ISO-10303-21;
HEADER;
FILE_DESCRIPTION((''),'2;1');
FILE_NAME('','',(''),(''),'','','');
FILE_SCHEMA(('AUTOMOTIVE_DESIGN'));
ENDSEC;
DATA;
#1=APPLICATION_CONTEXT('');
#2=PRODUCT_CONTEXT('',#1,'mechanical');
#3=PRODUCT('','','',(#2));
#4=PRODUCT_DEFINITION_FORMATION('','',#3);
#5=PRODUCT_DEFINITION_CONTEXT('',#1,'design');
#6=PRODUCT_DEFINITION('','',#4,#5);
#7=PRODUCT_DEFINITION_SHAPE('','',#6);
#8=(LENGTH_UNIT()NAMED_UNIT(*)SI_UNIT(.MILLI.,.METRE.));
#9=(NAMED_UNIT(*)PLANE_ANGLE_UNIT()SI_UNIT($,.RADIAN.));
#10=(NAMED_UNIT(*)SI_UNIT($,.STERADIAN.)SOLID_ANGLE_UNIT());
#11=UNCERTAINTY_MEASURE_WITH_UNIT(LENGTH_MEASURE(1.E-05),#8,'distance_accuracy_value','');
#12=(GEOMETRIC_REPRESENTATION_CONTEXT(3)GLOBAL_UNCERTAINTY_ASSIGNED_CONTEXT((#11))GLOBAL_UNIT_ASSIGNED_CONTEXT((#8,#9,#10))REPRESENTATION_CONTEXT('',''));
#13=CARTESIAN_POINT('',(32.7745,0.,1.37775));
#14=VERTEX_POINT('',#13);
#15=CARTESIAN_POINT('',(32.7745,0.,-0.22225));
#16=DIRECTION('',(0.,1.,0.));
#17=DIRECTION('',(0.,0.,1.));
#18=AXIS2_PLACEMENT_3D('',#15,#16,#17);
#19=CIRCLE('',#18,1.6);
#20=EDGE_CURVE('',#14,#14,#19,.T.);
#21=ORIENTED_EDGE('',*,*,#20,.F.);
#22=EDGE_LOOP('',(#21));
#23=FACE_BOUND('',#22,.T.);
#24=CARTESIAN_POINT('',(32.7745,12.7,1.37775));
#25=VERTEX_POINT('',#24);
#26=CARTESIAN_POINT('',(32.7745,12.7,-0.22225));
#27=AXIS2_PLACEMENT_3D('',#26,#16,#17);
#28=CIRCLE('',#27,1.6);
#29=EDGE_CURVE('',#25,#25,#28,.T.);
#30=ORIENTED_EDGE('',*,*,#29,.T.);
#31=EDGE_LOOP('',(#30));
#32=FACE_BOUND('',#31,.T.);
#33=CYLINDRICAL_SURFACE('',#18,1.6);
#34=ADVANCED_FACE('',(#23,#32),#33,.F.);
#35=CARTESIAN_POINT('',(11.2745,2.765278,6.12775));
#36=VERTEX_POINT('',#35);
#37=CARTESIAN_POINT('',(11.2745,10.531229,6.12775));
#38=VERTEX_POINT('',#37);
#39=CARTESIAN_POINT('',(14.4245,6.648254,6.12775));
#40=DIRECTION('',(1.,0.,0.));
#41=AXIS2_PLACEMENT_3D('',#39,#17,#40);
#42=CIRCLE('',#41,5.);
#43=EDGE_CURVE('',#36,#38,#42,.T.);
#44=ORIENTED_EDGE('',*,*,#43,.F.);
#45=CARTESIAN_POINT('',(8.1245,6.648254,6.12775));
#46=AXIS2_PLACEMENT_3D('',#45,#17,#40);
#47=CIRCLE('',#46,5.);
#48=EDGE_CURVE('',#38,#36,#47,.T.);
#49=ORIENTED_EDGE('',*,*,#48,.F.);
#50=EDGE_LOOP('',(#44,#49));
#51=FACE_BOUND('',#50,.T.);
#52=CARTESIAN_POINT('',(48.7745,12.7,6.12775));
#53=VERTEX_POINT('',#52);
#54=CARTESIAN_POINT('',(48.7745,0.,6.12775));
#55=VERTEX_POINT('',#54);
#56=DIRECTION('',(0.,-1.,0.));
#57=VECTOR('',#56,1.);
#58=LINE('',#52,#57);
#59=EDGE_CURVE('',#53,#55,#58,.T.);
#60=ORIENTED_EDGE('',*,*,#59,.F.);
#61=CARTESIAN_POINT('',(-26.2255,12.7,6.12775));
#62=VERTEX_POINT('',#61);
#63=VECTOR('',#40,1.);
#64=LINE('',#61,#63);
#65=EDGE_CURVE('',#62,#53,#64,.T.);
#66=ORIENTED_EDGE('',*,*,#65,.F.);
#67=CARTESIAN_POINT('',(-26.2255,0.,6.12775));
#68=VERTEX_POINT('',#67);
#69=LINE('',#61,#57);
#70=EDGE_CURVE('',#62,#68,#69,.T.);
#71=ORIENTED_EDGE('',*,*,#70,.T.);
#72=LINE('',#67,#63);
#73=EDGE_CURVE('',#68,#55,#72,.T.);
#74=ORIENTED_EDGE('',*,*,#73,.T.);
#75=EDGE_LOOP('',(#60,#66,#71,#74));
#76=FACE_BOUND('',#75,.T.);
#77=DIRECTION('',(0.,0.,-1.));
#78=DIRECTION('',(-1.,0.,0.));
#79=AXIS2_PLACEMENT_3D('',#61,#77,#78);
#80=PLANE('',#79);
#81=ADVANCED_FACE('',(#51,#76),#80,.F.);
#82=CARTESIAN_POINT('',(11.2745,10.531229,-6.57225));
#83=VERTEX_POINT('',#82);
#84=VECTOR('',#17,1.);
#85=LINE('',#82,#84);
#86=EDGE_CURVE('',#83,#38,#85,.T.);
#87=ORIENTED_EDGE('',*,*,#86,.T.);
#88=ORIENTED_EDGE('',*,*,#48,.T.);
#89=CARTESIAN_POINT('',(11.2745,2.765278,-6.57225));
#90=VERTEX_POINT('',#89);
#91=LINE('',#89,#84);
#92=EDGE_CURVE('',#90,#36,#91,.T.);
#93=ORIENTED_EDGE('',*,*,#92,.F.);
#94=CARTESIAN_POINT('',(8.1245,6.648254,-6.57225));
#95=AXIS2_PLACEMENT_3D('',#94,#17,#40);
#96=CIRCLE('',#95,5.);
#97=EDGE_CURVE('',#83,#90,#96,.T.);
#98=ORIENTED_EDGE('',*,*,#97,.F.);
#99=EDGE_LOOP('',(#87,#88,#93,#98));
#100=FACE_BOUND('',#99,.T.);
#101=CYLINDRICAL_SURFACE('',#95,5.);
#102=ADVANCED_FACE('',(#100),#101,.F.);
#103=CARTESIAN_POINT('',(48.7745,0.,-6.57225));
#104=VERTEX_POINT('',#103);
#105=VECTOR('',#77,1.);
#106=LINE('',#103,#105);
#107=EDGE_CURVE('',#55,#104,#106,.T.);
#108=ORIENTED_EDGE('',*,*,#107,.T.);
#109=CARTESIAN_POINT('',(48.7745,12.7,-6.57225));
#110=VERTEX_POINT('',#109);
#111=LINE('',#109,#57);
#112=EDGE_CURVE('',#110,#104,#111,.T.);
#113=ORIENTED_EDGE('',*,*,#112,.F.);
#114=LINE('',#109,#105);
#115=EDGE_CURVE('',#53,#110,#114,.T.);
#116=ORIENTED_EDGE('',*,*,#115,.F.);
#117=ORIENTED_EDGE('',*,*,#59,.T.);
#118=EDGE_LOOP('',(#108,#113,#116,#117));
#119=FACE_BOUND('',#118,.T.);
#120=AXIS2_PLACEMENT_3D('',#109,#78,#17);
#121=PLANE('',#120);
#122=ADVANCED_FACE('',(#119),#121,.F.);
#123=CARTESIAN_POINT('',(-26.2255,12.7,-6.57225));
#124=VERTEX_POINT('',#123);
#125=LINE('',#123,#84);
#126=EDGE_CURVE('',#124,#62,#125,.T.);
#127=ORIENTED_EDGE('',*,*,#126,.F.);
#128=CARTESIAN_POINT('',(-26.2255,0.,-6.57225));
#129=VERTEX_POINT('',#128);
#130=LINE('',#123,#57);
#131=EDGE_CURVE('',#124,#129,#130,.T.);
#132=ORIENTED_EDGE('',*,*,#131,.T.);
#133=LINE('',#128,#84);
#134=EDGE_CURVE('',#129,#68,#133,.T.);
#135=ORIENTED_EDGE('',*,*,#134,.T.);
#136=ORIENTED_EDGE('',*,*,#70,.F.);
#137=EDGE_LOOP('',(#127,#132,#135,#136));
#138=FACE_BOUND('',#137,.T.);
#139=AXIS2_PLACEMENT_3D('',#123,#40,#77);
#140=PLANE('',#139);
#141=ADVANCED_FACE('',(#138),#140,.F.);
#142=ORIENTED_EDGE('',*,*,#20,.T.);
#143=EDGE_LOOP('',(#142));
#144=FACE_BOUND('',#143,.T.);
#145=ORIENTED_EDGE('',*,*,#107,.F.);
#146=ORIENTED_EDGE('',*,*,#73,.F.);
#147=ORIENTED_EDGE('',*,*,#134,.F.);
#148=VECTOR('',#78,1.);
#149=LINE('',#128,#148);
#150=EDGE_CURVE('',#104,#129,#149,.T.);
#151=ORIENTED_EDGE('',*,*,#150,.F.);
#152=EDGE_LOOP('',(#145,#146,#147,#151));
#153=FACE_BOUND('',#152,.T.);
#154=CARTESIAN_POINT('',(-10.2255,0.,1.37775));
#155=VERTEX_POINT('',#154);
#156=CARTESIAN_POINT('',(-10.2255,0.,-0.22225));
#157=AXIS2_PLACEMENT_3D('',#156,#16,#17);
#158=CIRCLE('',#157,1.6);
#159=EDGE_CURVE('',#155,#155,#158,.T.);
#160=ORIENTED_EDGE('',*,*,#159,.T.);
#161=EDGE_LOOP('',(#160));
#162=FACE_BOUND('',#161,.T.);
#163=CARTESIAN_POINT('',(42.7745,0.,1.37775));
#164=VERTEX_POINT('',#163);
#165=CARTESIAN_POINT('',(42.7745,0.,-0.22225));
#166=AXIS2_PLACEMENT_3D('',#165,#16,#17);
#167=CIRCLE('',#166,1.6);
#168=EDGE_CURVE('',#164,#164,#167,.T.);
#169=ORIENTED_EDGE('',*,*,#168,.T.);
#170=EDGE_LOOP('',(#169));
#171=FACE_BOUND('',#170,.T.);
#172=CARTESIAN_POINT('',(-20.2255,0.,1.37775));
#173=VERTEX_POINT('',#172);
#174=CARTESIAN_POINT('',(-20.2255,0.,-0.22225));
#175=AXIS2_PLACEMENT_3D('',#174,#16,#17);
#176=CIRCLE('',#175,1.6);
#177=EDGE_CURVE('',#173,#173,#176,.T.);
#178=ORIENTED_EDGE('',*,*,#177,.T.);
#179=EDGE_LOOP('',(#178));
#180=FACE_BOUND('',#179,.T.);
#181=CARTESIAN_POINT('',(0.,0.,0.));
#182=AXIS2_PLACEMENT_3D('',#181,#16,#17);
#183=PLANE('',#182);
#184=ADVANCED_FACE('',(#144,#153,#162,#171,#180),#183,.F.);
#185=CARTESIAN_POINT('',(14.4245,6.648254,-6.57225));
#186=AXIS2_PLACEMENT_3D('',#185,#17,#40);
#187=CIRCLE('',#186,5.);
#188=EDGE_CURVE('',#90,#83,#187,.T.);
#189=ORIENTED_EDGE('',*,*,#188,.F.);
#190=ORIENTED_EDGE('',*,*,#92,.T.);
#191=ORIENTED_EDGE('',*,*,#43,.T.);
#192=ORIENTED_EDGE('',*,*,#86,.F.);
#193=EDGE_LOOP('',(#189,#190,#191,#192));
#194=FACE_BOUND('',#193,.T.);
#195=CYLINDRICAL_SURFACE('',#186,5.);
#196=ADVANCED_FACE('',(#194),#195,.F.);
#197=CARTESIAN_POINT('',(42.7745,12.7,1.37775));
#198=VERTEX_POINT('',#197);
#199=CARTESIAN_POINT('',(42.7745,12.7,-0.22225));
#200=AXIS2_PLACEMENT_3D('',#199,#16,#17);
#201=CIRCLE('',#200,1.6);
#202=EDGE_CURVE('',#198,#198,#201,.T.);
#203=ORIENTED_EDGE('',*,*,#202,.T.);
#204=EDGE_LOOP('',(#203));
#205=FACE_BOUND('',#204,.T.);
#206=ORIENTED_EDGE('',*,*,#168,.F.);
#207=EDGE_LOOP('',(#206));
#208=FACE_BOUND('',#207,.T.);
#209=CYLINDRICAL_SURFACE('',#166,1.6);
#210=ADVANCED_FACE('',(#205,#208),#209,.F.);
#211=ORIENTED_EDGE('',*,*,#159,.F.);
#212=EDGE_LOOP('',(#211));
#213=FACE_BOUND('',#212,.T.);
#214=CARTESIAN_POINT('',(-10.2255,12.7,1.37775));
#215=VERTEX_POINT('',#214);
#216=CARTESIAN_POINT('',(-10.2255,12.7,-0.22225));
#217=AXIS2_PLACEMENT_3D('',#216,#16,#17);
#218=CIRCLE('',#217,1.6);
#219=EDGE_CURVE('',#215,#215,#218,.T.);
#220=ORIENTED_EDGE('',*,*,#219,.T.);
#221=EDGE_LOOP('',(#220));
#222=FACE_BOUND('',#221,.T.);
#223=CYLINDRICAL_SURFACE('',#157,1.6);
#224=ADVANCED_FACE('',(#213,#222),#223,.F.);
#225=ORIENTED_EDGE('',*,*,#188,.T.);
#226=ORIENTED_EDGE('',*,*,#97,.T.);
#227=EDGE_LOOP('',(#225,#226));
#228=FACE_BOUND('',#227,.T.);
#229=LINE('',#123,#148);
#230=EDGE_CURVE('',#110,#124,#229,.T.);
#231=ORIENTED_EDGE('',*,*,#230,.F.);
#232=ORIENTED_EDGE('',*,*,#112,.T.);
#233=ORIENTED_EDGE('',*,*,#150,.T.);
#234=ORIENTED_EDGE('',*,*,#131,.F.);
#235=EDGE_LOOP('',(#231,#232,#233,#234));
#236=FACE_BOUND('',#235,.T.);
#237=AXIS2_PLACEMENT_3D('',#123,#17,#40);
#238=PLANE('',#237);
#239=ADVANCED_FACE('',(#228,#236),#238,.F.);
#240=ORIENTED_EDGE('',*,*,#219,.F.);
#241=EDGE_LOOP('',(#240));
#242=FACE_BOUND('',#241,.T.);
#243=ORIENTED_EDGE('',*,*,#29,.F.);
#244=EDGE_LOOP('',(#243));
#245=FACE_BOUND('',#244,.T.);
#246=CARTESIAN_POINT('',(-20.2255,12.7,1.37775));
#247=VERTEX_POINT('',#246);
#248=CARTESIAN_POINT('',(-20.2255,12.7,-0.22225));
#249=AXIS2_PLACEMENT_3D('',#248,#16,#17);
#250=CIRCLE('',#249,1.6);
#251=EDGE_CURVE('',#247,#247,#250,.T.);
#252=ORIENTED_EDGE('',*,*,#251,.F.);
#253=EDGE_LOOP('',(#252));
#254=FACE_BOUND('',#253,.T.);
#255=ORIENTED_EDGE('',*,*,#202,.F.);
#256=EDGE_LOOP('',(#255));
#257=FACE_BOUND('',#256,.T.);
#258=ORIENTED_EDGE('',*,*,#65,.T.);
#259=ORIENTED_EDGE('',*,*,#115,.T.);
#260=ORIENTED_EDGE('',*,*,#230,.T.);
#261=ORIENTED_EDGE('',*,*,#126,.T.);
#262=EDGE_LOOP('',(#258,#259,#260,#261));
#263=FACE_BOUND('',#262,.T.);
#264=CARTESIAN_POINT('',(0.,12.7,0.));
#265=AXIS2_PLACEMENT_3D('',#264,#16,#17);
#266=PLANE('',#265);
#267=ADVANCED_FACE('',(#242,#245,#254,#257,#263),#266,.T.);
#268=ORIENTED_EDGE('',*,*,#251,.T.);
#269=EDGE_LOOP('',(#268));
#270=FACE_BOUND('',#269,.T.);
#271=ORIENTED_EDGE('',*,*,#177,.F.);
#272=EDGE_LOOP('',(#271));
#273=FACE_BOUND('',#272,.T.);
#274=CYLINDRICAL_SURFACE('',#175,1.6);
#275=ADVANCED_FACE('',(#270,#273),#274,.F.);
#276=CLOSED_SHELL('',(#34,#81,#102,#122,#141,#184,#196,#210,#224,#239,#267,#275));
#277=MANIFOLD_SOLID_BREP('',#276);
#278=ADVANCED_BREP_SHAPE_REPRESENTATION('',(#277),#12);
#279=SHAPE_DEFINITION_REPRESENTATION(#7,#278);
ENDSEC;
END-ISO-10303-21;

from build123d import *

# Parameters (mm, degrees)
SKETCH2_W           = 75
SKETCH2_H           = 12.7
BOSS_EXTRUDE1_DEPTH = 12.7
CUT_EXTRUDE1_DEPTH  = 12.7
SKETCH4_R           = 1.6
CUT_EXTRUDE2_DEPTH  = 13.7


with BuildPart() as part:
    # Sketch2 → Boss-Extrude1 (new body)
    with BuildSketch(Plane(origin=(0, 0, 0), x_dir=(1, 0, 0), z_dir=(0, 1, 0))):
        with Locations((11.2745, 0.22225)):
            Rectangle(SKETCH2_W, SKETCH2_H)
    extrude(amount=BOSS_EXTRUDE1_DEPTH)

    # Sketch3 → Cut-Extrude1 (cut)
    with BuildSketch(Plane.XY.offset(6.12775)):
        with BuildLine():
            ThreePointArc((11.2745, 10.531229249), (3.1245, 6.648253585), (11.2745, 2.765277922))
            ThreePointArc((11.2745, 2.765277922), (19.4245, 6.648253585), (11.2745, 10.531229249))
        make_face()
    extrude(amount=-CUT_EXTRUDE1_DEPTH, mode=Mode.SUBTRACT)

    # Sketch4 → Cut-Extrude2 (cut, through all)
    with BuildSketch(Plane(origin=(0, 12.7, 0), x_dir=(1, 0, 0), z_dir=(0, 1, 0))):
        with Locations((-20.2255, 0.22225)):
            Circle(SKETCH4_R)
        with Locations((-10.2255, 0.22225)):
            Circle(SKETCH4_R)
        with Locations((32.7745, 0.22225)):
            Circle(SKETCH4_R)
        with Locations((42.7745, 0.22225)):
            Circle(SKETCH4_R)
    extrude(amount=-CUT_EXTRUDE2_DEPTH, mode=Mode.SUBTRACT)


solid = part.part
